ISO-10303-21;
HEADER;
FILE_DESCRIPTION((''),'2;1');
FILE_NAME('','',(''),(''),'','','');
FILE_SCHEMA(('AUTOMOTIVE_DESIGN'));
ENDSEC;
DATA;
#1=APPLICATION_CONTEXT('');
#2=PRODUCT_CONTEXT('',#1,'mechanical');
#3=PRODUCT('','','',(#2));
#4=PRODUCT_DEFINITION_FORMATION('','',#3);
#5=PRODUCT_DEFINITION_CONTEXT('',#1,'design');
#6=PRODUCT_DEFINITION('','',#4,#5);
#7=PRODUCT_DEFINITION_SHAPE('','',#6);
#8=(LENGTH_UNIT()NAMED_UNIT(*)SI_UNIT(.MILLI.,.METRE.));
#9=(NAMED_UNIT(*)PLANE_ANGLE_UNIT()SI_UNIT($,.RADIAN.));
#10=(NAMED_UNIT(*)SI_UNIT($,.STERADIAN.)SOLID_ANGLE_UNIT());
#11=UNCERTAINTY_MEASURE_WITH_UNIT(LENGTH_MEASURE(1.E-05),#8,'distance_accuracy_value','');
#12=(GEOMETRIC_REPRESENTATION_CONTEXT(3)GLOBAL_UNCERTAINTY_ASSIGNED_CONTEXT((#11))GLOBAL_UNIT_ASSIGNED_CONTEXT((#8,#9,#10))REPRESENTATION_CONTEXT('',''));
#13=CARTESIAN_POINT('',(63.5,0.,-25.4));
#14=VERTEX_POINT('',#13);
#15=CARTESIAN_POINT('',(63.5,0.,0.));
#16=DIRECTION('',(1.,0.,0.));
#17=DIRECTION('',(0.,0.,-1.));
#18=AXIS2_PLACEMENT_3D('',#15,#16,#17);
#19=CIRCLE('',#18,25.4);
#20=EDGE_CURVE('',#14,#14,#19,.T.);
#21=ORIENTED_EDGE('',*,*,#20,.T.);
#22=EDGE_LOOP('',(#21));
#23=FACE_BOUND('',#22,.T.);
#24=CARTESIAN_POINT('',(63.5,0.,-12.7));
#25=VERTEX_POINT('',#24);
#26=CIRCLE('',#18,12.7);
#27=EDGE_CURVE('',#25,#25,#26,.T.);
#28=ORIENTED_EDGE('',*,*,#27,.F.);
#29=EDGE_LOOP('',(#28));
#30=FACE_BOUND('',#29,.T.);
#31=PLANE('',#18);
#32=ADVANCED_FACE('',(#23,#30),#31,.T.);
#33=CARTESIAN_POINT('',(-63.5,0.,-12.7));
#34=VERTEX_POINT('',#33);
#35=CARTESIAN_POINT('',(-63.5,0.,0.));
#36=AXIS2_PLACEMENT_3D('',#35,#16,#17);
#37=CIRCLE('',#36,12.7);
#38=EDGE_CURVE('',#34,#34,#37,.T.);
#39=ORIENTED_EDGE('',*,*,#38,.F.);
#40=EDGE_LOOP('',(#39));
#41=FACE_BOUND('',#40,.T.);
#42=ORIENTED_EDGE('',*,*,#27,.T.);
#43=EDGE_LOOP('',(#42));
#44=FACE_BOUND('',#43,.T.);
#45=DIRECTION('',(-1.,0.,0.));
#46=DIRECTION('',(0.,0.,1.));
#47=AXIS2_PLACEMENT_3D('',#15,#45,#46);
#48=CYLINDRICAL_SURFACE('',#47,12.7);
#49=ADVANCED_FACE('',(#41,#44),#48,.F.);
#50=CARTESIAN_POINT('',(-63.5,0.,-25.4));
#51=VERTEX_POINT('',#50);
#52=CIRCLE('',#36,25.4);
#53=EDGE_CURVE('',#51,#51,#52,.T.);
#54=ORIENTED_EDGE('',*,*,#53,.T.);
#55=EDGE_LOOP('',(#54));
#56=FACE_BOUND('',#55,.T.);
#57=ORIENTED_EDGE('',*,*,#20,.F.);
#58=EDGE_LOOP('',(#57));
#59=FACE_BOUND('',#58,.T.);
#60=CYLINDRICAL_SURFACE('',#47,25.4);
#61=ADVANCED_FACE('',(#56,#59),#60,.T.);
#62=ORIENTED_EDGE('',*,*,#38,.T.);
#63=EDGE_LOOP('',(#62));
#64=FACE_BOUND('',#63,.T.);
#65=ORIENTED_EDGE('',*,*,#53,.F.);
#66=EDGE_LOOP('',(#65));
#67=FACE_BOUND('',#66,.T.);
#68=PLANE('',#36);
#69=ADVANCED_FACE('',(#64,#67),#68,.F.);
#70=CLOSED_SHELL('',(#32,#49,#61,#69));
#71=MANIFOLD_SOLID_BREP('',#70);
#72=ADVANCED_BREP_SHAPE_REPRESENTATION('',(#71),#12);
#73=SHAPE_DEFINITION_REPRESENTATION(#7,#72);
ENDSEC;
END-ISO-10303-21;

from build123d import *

# Parameters (mm, degrees)
SKETCH1_R           = 25.4
SKETCH1_R_2         = 12.7
BOSS_EXTRUDE1_DEPTH = 63.5


with BuildPart() as part:
    # Sketch1 → Boss-Extrude1 (new body, symmetric)
    with BuildSketch(Plane(origin=(0, 0, 0), x_dir=(0, 0, -1), z_dir=(1, 0, 0))):
        Circle(SKETCH1_R)
        Circle(SKETCH1_R_2, mode=Mode.SUBTRACT)
    extrude(amount=BOSS_EXTRUDE1_DEPTH, both=True)


solid = part.part
